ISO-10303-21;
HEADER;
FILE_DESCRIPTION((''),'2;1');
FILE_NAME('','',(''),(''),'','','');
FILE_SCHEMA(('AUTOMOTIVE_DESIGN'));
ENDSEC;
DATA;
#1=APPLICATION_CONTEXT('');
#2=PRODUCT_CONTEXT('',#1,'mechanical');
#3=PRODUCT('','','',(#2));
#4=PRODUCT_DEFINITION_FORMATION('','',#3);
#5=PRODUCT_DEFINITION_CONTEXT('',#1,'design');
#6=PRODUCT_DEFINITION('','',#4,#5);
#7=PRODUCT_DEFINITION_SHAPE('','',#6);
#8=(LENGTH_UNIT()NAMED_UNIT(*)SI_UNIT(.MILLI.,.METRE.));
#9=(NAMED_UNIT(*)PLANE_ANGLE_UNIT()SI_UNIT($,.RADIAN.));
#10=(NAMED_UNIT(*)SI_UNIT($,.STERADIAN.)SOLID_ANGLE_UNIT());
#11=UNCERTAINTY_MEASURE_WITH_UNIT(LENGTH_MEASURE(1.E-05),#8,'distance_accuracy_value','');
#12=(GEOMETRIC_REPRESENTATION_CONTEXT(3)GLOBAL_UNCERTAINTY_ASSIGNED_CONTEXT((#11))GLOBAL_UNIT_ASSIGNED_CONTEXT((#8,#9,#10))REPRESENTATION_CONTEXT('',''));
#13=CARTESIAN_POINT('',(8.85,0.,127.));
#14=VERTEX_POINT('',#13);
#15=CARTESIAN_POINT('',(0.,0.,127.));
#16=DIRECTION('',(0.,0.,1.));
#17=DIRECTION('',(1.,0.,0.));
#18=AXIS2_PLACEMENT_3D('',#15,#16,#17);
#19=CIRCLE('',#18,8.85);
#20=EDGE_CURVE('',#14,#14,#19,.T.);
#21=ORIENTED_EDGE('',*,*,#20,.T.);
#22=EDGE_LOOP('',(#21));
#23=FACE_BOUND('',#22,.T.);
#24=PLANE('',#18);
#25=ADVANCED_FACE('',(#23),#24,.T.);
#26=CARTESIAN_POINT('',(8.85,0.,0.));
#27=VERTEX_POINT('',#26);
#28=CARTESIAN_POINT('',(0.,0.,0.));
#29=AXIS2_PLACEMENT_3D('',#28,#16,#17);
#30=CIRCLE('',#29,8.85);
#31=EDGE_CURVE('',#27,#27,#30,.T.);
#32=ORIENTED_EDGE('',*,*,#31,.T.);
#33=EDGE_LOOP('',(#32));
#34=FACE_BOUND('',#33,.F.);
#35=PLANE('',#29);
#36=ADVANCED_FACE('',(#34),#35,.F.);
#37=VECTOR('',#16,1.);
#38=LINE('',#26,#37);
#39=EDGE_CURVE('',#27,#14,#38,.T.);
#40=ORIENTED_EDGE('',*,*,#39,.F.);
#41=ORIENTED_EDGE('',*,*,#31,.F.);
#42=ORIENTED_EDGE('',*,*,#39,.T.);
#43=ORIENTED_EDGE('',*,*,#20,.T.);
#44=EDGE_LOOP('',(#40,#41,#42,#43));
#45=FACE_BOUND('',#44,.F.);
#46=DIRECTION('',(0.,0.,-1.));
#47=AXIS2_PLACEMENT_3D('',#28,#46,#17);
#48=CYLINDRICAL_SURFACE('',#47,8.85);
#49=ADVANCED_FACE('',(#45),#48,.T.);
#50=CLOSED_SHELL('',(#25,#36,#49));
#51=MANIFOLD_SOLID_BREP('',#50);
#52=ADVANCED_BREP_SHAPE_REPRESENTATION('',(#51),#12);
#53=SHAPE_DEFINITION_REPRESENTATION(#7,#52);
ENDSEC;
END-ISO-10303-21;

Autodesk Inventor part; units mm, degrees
ref_plane "YZ Plane" through (0, 0, 0) normal (1, 0, 0) x (0, 1, 0)
ref_plane "XZ Plane" through (0, 0, 0) normal (0, 1, 0) x (-1, 0, 0)
ref_plane "XY Plane" through (0, 0, 0) normal (0, 0, 1) x (1, 0, 0)
sketch "Esboço1" plane through (0, 0, 0) normal (0, 0, 1) x (1, 0, 0)
  circle A0 centre (0, 0) radius 8.85
  dimension "d0" = 17.7
extrude "Extrusão1" add sketch "Esboço1" along normal blind 127
properties part number "Articulation Hand"
